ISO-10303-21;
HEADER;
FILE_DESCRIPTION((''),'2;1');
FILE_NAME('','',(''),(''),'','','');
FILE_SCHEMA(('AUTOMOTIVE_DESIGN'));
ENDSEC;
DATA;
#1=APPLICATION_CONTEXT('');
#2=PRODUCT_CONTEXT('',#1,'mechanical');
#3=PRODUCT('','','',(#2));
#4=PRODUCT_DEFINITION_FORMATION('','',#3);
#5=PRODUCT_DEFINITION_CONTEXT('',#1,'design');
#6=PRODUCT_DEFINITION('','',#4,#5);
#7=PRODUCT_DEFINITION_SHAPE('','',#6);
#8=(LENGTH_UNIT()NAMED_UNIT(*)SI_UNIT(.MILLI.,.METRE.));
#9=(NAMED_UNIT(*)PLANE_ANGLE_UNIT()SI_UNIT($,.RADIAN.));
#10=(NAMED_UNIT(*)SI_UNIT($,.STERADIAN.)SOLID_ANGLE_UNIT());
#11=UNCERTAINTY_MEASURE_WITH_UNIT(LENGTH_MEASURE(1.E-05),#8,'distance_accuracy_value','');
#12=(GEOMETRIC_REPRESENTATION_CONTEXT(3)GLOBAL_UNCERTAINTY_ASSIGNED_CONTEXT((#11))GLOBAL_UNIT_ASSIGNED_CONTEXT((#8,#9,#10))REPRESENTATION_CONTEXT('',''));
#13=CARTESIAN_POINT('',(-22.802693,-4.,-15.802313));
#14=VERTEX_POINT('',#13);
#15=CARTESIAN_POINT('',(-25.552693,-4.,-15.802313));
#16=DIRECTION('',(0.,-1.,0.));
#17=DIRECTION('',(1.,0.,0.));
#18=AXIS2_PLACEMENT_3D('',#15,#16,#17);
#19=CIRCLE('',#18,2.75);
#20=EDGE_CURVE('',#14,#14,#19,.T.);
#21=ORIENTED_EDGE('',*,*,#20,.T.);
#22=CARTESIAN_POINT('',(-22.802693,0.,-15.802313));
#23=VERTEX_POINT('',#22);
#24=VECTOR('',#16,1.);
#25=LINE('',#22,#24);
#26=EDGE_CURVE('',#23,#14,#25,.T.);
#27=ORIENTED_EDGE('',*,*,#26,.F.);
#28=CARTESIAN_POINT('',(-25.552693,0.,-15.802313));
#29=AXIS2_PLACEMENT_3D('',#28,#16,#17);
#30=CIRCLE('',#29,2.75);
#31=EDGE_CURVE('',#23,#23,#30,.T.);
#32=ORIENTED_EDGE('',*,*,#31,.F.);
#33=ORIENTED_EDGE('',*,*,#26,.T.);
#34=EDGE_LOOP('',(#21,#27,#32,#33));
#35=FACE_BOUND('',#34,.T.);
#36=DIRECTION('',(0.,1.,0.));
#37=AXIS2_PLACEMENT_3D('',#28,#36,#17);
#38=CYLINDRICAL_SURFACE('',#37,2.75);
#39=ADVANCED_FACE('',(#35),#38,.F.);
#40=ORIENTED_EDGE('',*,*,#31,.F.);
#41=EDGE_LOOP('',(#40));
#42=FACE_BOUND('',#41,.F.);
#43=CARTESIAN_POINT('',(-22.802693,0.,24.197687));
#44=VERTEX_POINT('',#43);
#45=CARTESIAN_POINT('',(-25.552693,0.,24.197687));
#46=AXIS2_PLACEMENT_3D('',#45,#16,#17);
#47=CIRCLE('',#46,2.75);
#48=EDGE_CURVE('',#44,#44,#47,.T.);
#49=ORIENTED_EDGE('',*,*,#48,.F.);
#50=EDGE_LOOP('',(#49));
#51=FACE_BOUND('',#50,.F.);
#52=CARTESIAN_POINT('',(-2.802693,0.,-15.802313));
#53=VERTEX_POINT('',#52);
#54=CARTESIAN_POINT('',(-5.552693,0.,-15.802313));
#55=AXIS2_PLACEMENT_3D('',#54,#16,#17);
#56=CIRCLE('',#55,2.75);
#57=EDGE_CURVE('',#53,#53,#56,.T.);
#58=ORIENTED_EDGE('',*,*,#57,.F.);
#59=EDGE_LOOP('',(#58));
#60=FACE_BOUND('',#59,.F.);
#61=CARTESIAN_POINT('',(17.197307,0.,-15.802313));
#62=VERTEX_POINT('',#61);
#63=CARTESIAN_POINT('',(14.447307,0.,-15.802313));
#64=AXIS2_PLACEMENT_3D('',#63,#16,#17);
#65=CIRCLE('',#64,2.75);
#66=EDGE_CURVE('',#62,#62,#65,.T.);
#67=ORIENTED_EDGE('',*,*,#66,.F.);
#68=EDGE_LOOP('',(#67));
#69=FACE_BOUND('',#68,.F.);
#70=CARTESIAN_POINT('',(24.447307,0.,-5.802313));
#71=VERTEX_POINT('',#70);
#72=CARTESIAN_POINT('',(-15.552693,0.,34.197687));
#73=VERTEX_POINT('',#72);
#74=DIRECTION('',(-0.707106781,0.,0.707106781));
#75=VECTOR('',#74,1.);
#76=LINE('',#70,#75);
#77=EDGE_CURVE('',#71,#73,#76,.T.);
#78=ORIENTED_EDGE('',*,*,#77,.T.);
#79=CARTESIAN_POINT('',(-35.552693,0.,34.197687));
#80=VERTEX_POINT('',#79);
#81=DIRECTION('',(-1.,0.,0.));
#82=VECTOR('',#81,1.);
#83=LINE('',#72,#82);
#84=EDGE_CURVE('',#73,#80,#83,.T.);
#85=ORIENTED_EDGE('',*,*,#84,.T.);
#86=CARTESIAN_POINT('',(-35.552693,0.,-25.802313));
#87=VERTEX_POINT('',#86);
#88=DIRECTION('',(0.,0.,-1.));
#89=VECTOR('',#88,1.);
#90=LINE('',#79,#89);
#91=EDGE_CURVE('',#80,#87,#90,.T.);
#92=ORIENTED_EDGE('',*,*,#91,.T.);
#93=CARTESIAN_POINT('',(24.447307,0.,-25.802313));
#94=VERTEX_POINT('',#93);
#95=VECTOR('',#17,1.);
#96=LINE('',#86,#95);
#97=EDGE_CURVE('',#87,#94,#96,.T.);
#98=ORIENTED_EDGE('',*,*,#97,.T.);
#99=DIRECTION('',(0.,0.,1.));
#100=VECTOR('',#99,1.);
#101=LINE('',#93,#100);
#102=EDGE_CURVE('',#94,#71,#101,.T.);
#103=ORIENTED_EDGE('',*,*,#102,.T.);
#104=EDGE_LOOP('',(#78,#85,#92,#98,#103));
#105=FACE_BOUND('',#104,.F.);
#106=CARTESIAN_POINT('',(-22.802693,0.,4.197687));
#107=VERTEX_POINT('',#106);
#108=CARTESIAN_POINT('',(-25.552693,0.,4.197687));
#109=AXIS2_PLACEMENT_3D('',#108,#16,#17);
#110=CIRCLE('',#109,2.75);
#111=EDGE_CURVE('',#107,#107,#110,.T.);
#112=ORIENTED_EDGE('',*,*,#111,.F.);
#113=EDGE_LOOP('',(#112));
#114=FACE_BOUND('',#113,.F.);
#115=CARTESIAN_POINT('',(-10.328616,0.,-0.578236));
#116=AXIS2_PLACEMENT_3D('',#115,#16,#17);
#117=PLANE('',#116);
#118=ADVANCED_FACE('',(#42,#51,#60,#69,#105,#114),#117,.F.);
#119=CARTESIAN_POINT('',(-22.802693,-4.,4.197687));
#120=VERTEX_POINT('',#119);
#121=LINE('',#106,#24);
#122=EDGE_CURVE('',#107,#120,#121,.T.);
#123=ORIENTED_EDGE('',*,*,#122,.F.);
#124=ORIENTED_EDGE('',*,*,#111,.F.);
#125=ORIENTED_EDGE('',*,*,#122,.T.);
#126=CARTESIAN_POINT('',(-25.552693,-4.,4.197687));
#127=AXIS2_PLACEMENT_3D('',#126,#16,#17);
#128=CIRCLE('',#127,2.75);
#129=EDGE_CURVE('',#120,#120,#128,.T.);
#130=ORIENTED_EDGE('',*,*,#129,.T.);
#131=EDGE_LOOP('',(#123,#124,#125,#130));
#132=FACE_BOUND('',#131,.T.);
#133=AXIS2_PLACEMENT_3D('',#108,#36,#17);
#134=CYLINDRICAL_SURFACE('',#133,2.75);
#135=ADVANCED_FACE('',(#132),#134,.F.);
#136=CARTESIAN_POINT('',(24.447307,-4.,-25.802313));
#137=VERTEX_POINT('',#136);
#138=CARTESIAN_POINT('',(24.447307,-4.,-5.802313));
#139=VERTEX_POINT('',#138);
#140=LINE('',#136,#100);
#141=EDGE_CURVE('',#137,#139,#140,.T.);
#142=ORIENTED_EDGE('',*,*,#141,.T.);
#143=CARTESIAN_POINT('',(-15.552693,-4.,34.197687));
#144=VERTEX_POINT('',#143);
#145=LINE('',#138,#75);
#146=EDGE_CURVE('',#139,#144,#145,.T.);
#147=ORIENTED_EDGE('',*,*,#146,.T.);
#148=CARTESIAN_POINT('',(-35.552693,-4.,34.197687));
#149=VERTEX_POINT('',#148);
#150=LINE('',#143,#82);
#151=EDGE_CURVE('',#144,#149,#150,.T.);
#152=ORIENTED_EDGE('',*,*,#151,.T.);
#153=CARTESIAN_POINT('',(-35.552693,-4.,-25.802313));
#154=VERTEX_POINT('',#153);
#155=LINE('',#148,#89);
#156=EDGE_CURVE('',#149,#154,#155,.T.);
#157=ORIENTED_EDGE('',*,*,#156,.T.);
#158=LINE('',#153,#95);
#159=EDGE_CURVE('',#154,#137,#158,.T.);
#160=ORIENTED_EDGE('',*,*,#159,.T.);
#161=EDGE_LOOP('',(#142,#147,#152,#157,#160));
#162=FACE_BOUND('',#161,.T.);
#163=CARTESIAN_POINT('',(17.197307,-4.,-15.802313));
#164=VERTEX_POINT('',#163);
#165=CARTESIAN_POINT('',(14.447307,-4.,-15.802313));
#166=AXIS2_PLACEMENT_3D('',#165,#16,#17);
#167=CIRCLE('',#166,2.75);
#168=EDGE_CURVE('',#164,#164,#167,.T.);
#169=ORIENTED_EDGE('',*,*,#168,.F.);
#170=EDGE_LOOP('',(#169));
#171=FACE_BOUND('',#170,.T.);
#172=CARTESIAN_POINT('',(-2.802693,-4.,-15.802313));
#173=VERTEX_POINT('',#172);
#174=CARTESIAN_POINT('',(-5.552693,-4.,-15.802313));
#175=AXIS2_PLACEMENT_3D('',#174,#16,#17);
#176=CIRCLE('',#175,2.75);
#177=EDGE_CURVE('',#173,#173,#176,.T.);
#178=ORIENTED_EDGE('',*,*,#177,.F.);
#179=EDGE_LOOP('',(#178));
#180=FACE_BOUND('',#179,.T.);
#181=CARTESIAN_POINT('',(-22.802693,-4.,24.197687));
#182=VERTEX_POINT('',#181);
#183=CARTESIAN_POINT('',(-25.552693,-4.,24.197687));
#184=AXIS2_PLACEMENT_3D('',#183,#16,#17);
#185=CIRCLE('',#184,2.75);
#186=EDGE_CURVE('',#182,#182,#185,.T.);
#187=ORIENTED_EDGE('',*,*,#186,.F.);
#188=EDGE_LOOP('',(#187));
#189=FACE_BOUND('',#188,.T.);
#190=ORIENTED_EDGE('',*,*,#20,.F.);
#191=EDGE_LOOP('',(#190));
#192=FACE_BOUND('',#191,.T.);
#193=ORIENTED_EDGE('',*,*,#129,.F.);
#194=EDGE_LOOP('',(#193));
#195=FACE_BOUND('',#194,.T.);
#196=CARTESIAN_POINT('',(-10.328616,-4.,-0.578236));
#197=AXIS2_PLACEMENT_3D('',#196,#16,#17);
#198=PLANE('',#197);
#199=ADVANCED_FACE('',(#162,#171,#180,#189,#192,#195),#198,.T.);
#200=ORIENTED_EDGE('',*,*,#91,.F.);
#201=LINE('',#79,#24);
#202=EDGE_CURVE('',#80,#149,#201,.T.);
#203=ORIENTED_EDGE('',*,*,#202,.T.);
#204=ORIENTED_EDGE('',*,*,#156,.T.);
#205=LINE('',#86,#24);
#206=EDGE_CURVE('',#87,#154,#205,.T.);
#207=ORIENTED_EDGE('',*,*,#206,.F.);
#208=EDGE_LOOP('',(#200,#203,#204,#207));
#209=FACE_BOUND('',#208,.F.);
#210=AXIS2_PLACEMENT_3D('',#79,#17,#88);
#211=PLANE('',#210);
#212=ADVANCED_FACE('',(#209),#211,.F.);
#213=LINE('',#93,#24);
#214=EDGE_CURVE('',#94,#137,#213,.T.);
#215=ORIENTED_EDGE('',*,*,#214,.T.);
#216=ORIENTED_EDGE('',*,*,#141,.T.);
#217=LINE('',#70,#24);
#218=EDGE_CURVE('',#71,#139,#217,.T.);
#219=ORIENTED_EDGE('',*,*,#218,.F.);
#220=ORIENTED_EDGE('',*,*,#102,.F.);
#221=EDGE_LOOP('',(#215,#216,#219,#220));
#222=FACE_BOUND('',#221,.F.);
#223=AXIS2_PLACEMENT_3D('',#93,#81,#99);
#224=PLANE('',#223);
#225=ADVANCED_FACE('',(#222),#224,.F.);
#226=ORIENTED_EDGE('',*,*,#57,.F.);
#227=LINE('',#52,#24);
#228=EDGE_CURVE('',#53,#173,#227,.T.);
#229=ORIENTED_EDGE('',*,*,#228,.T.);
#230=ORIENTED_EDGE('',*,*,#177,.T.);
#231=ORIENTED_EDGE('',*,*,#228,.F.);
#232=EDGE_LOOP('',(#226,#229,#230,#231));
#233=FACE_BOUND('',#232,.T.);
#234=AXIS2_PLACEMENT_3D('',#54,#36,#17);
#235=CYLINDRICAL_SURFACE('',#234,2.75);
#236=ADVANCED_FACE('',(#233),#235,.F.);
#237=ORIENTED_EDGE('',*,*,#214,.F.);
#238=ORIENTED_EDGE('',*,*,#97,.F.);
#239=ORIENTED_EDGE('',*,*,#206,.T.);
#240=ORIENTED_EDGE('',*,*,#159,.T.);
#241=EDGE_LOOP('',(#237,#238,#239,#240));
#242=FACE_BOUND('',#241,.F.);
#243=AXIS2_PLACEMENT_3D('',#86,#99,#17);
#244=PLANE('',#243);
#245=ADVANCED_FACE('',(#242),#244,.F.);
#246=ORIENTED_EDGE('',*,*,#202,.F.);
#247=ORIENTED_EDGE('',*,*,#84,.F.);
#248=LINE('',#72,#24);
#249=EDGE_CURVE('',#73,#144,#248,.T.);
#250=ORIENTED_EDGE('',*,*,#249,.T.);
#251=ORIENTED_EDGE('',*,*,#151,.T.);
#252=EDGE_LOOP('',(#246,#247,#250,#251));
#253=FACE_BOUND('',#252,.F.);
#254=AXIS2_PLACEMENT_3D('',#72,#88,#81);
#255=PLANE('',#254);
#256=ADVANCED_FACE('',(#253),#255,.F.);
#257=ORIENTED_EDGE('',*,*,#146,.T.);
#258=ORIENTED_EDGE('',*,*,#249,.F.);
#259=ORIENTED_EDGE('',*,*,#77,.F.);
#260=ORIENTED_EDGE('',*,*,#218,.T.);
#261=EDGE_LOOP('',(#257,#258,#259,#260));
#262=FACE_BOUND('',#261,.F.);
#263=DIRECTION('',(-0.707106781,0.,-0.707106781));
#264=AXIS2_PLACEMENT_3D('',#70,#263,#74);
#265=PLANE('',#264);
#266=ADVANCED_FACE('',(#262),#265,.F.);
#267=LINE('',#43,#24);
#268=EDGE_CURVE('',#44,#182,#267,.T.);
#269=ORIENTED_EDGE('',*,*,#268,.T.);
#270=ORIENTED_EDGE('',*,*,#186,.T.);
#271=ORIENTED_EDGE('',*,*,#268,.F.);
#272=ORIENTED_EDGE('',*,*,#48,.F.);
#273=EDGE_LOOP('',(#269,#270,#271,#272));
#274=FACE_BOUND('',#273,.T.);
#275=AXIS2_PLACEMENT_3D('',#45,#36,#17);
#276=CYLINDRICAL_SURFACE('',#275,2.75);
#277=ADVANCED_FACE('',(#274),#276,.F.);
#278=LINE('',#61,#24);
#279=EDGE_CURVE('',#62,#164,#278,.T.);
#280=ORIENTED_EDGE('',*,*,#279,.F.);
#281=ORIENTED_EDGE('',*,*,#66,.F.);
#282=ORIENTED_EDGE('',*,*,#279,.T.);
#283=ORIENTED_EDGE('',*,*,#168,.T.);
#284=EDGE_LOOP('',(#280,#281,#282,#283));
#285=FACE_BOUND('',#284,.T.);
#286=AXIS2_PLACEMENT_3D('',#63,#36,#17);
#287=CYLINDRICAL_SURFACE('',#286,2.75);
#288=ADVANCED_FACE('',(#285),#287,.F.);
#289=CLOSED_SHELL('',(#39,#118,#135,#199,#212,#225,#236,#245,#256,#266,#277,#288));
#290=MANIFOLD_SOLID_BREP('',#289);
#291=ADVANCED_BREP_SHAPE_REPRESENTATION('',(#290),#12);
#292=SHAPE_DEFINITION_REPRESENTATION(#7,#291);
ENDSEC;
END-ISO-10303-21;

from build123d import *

# Parameters (mm, degrees)
F0_R     = 2.75
F1_DEPTH = 4


with BuildPart() as f1:
    # F0 (on Front) → F1 (new body)
    with BuildSketch(Plane.XZ):
        Polygon((-15.552693, 34.197687), (-35.552693, 34.197687), (-35.552693, -25.802313), (24.447307, -25.802313), (24.447307, -5.802313), align=None)
        with Locations((-25.552693, -15.802313)):
            Circle(F0_R, mode=Mode.SUBTRACT)
        with Locations((-5.552693, -15.802313)):
            Circle(F0_R, mode=Mode.SUBTRACT)
        with Locations((-25.552693, 4.197687)):
            Circle(F0_R, mode=Mode.SUBTRACT)
        with Locations((14.447307, -15.802313)):
            Circle(F0_R, mode=Mode.SUBTRACT)
        with Locations((-25.552693, 24.197687)):
            Circle(F0_R, mode=Mode.SUBTRACT)
    extrude(amount=F1_DEPTH)


solid = f1.part
